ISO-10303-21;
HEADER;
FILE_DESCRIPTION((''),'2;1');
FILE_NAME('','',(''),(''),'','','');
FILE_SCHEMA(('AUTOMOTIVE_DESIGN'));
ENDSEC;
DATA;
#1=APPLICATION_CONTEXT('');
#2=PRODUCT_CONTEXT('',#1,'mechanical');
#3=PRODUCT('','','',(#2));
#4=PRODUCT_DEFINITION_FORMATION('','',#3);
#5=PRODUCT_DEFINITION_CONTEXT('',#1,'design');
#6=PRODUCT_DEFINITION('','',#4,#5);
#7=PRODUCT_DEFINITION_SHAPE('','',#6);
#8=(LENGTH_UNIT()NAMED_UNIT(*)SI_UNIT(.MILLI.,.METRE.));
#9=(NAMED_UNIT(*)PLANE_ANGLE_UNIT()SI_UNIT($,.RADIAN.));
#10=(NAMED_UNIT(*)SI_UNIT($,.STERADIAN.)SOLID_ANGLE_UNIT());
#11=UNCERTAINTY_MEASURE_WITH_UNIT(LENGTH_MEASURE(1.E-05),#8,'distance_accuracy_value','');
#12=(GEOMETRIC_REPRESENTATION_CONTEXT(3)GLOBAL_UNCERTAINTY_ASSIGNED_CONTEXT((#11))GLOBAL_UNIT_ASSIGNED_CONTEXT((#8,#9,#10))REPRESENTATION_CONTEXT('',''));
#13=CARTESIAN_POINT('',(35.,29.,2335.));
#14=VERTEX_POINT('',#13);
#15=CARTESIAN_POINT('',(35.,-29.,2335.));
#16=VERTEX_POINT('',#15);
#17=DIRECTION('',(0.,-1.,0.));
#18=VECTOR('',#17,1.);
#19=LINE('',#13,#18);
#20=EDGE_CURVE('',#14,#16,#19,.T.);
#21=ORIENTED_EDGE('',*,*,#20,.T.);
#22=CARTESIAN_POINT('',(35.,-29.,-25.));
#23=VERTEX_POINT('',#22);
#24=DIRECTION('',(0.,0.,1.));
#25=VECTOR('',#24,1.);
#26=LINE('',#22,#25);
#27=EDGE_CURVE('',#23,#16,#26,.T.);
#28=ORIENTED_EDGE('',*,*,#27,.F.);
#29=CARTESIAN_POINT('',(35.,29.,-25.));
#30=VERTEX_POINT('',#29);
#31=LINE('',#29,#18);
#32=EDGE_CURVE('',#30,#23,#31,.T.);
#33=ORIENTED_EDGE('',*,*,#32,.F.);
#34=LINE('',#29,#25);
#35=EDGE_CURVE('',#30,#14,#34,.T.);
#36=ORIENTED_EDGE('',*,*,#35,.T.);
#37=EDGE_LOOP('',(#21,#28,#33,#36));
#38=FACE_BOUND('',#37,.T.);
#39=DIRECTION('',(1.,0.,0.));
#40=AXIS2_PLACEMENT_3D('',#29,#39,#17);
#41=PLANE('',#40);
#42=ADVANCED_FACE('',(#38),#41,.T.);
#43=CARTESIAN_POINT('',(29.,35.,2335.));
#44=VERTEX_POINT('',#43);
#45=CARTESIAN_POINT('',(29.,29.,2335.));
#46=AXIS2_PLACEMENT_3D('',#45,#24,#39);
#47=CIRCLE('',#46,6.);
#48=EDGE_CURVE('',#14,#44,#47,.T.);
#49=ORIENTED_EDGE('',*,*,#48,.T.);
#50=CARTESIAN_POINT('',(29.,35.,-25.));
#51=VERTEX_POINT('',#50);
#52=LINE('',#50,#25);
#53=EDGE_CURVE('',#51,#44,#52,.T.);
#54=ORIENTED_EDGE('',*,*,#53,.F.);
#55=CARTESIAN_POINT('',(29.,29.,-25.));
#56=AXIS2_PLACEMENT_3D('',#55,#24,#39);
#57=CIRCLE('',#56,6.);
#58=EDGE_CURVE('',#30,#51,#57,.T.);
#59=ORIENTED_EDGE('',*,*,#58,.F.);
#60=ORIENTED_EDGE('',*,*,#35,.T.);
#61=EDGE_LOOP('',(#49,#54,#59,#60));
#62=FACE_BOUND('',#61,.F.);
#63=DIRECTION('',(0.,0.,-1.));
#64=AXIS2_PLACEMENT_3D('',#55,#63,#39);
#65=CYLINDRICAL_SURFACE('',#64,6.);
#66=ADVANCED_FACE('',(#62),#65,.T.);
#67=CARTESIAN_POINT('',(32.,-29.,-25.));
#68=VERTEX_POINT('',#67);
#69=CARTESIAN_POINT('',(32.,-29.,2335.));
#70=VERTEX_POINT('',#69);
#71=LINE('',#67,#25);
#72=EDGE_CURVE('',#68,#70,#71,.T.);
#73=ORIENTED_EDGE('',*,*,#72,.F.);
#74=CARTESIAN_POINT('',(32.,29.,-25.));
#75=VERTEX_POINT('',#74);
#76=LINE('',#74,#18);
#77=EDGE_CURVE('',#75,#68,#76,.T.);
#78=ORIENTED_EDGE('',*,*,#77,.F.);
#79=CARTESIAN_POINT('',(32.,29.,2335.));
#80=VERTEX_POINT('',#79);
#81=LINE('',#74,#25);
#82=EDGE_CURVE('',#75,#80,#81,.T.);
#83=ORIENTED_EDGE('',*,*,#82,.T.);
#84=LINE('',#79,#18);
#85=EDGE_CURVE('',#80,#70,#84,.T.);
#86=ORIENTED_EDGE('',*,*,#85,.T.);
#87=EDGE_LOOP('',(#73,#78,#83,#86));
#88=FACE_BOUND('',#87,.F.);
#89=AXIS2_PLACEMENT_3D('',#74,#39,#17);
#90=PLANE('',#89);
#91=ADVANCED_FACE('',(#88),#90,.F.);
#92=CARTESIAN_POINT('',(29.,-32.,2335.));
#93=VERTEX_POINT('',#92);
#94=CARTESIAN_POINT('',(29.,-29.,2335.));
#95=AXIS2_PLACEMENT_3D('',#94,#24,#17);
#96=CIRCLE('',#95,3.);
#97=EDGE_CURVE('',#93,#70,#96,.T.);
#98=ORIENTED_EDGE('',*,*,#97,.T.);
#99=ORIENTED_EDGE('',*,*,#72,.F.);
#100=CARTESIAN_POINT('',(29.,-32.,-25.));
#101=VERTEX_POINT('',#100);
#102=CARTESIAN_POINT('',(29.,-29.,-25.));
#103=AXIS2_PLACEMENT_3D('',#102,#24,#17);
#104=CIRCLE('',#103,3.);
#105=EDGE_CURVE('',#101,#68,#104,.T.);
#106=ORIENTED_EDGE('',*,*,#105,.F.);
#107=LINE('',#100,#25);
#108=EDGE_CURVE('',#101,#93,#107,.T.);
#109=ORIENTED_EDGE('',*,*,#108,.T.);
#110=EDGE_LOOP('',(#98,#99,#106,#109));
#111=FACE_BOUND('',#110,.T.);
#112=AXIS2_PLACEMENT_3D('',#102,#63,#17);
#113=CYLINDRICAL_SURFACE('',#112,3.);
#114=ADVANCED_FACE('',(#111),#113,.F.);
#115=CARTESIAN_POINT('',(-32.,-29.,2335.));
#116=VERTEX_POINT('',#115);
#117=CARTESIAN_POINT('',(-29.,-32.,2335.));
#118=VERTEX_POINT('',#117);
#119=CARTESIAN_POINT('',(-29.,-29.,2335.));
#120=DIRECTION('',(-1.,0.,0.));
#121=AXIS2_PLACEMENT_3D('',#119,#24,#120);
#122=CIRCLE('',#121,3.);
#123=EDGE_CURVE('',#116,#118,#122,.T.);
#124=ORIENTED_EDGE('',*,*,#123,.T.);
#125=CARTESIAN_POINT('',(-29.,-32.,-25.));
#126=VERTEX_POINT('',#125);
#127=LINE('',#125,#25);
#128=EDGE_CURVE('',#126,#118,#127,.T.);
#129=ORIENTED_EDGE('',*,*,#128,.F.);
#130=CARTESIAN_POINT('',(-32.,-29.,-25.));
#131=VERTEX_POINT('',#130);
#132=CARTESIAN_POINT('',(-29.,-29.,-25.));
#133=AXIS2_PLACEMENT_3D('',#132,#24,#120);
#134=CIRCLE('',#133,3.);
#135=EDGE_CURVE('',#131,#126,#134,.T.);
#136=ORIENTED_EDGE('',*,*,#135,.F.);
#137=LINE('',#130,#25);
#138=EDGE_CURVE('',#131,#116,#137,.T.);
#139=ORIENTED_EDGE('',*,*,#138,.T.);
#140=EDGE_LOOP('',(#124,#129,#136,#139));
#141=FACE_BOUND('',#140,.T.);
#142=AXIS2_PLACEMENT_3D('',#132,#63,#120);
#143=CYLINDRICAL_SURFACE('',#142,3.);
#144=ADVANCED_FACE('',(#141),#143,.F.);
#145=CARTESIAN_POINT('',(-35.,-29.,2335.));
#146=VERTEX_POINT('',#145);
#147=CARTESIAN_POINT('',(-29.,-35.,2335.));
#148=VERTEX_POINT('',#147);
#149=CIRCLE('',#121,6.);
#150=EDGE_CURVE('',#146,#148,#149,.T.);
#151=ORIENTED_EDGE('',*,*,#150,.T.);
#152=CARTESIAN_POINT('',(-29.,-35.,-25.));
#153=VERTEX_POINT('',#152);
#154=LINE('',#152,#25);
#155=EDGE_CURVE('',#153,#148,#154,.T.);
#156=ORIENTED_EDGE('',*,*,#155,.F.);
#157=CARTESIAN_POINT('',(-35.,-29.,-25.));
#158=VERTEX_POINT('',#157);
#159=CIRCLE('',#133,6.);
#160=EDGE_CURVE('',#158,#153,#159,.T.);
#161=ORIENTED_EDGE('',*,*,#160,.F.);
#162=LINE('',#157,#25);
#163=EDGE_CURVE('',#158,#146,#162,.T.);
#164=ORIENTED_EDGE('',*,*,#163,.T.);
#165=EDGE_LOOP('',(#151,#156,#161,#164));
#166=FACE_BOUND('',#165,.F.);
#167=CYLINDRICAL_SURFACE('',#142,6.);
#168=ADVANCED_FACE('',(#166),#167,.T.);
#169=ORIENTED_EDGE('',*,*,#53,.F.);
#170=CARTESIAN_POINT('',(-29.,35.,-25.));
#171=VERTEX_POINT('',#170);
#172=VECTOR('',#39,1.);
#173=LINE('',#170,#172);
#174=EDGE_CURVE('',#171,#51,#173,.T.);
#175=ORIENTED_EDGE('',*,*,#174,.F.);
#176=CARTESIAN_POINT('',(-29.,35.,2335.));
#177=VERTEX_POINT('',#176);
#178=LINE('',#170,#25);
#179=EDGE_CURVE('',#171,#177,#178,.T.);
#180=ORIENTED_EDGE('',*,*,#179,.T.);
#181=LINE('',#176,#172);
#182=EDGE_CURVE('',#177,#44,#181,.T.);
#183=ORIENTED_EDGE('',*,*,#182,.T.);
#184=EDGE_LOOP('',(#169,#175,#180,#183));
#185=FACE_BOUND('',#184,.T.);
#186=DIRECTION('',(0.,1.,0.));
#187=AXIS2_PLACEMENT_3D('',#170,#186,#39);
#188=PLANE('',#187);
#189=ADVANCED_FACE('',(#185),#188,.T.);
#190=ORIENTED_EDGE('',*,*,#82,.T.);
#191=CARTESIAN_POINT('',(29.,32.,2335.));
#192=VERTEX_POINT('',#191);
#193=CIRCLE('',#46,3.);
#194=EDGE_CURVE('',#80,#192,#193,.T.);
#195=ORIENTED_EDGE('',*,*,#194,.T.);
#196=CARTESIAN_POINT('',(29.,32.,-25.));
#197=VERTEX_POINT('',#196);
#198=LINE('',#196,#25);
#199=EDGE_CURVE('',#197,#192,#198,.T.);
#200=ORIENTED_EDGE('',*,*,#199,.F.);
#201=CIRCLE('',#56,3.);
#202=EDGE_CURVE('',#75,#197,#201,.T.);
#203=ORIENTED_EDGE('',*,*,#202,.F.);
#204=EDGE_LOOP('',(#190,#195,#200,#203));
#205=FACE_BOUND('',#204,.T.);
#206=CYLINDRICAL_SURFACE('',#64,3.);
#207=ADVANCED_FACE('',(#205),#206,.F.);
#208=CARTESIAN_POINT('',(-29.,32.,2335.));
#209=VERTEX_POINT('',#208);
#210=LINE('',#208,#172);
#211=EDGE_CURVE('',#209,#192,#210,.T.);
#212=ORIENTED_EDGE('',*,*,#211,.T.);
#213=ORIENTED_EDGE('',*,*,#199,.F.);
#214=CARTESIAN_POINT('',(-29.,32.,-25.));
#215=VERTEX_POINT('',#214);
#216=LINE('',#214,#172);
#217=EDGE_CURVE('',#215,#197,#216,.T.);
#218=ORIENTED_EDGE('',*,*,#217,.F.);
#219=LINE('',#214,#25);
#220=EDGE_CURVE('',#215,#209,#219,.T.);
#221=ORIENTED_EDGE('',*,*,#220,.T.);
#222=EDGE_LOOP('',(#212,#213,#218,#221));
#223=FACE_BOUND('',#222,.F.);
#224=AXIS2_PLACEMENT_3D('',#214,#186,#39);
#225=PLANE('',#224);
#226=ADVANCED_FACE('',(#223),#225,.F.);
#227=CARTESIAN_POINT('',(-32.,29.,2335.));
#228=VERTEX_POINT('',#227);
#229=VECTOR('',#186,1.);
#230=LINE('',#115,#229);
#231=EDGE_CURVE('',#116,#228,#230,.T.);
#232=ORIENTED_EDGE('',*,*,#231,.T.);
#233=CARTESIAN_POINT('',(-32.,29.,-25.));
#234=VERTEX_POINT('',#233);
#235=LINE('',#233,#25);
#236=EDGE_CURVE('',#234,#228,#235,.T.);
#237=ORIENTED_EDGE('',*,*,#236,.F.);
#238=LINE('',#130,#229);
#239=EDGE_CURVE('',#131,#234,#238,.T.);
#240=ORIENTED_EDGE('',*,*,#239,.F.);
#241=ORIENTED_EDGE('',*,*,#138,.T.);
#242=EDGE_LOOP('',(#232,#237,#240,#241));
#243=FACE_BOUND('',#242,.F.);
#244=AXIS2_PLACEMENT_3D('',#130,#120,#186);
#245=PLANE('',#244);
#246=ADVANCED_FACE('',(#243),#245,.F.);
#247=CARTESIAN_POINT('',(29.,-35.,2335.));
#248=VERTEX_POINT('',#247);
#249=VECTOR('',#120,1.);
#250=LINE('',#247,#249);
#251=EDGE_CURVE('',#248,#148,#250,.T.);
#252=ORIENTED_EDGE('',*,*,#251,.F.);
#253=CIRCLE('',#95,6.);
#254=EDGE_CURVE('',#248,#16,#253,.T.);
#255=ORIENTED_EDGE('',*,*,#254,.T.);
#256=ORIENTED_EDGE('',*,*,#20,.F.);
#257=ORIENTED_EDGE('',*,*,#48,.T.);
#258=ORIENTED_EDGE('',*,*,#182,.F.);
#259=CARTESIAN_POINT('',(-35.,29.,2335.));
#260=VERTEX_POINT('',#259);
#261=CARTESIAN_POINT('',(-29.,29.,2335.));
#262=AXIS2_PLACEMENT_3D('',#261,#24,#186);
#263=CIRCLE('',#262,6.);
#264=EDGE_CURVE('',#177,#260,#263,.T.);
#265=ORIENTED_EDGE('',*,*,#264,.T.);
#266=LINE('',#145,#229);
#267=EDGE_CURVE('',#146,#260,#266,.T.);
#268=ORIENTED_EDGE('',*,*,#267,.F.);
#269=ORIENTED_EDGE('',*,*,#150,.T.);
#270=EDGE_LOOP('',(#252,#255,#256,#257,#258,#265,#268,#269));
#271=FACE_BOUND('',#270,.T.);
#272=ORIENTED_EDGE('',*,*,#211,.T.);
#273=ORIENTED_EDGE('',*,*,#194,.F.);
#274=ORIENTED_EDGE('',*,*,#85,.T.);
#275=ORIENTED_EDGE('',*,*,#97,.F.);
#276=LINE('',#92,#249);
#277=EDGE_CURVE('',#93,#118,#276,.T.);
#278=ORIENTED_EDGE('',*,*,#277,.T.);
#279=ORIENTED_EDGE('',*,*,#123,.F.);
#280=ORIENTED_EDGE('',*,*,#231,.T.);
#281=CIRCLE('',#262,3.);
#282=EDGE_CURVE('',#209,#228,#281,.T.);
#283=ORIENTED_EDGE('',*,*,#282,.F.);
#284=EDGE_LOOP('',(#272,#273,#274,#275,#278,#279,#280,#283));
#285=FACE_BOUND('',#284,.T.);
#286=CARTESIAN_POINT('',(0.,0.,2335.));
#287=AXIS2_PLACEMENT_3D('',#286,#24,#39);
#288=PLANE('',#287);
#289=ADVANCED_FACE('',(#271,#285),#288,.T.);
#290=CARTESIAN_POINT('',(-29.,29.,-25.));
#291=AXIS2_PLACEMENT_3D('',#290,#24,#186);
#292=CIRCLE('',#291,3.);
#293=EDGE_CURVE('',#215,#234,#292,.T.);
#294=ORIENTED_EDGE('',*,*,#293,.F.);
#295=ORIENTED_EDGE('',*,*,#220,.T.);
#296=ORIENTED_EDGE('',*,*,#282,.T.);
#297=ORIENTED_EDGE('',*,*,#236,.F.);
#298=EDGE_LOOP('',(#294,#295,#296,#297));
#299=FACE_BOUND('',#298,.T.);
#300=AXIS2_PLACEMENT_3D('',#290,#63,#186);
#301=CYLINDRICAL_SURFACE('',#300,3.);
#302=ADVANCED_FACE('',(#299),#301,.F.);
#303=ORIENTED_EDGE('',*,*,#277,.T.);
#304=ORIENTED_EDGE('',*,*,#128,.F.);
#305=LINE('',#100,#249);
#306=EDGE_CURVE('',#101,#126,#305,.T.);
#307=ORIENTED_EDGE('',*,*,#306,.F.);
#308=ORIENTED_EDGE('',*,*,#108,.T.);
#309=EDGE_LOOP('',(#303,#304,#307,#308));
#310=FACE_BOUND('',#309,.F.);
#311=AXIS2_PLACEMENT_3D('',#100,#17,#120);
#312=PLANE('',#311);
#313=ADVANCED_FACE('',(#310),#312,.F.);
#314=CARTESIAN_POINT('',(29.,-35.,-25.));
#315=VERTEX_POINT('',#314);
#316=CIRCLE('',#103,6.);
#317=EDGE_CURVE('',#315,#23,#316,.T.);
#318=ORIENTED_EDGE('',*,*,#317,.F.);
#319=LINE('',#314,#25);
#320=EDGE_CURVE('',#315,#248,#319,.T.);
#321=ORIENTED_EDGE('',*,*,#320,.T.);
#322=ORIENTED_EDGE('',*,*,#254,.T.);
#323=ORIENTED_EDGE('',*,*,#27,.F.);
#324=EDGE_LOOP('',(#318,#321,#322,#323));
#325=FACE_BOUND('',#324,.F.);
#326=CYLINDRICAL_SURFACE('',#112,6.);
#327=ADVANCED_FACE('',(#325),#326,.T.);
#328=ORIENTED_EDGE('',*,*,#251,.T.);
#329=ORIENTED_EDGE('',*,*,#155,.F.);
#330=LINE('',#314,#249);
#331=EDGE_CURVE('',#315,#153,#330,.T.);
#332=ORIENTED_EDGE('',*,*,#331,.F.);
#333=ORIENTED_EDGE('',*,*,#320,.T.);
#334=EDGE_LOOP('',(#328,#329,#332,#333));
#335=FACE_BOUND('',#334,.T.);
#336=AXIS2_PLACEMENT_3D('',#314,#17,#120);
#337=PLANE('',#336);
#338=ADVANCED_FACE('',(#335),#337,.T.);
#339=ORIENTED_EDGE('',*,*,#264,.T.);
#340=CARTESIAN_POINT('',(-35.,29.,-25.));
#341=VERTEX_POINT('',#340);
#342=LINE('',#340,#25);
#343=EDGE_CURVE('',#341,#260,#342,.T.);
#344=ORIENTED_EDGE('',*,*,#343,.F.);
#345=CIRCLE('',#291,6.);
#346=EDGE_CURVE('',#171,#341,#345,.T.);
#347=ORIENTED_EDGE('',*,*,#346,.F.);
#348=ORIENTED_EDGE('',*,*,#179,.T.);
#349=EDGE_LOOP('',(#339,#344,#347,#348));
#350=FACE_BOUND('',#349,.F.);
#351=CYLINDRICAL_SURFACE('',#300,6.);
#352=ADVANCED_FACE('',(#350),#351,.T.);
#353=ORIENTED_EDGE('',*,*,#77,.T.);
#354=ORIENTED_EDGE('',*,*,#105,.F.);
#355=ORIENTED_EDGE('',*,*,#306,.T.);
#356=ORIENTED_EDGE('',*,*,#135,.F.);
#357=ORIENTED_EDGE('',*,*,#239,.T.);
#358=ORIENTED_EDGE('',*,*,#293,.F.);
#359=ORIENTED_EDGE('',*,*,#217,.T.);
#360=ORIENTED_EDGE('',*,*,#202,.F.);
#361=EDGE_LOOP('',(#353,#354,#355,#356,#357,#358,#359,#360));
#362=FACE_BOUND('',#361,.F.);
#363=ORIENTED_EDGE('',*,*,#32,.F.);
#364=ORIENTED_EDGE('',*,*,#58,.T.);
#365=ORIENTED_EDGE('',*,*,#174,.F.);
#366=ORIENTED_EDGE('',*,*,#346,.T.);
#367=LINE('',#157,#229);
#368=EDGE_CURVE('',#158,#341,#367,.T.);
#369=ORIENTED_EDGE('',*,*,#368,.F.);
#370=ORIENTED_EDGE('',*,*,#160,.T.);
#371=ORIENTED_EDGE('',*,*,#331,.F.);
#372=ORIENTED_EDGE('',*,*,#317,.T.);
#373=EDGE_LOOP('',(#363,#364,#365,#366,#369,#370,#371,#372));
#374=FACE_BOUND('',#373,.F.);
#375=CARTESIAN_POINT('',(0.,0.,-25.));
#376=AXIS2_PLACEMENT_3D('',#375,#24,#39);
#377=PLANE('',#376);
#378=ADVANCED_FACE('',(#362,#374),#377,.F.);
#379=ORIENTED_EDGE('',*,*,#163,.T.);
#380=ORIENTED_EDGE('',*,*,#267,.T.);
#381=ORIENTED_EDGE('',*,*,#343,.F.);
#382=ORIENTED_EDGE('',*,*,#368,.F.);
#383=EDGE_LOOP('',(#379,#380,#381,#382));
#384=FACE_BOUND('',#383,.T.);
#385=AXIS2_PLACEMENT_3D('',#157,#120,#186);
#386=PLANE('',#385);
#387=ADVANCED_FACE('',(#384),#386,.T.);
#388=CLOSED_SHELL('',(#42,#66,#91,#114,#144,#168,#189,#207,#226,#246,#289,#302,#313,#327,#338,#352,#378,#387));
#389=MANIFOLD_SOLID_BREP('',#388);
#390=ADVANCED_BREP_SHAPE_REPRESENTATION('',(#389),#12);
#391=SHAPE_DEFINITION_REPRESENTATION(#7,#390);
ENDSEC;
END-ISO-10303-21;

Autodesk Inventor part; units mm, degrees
ref_plane "Start Plane" through (0, 0, -25) normal (0, 0, 1) x (1, 0, 0)
ref_plane "End Plane" through (0, 0, 2335) normal (0, 0, 1) x (1, 0, 0)
sketch "Sketch" plane through (0, 0, 0) normal (0, 0, 1) x (1, 0, 0)
  line L0 (-35, -29) -> (-35, 29)
  line L1 (-29, 35) -> (29, 35)
  line L2 (35, 29) -> (35, -29)
  line L3 (29, -35) -> (-29, -35)
  arc A0 (-35, -29) -> (-29, -35) centre (-29, -29) ccw
  arc A1 (35, 29) -> (29, 35) centre (29, 29) ccw
  arc A2 (-29, 35) -> (-35, 29) centre (-29, 29) ccw
  arc A3 (29, -35) -> (35, -29) centre (29, -29) ccw
  arc A4 (-29, 32) -> (-32, 29) centre (-29, 29) ccw
  line L4 (-29, 32) -> (29, 32)
  arc A5 (32, 29) -> (29, 32) centre (29, 29) ccw
  line L5 (32, 29) -> (32, -29)
  arc A6 (29, -32) -> (32, -29) centre (29, -29) ccw
  line L6 (29, -32) -> (-29, -32)
  arc A7 (-32, -29) -> (-29, -32) centre (-29, -29) ccw
  line L7 (-32, -29) -> (-32, 29)
  line L8 (0, 50.7397) -> (0, -50.7397) construction
  line L9 (-50.7397, 0) -> (50.7397, 0) construction
  dimension "d7" = 6
  dimension "d9" = 70
  dimension "d11" = 70
  dimension "d12" = 3
  dimension "d15" = 35
  dimension "d16" = 35
extrude "Body" add sketch "Sketch" along normal up to surface (2360 mm away) from surface at -25
sketch "Sketch3" plane through (0, 0, 0) normal (0, 0, 1) x (1, 0, 0)
  line L0 (0, 0) -> (10, 0)
ref_plane "Work Plane3" through (0, 0, 0) normal (0, -1, 0) x (1, 0, 0)
sketch "Sketch4" plane through (0, 0, 0) normal (0, -1, 0) x (1, 0, 0)
  line L0 (-2, -25) -> (12, -25)
  line L1 (-2, 2335) -> (12, 2335)
  dimension "d18" = 2360
ref_plane "Work Plane4" through (0, -21, 2335) normal (0, 0, 1) x (1, 0, 0)
split "Split1" plane through (0, -21, 2335) removes the side toward (0, 0, 1)
ref_plane "Work Plane5" through (500, -21, -25) normal (0, 0, -1) x (-1, 0, 0)
split "Split2" plane through (500, -21, -25) removes the side toward (0, 0, -1)
equation "\"d7\" = G_IR"
equation "\"d9\" = G_W"
equation "\"d11\" = G_H"
equation "\"d12\" = G_T"
equation "\"d15\" = 0.5 * d9"
equation "\"d16\" = 0.5 * d11"
equation "\"d3\" = G_L"
equation "\"G_W\" = 70"
equation "\"G_H\" = 70"
equation "\"G_T\" = 3"
equation "\"G_IR\" = 6"
equation "\"G_L\" = d18"
equation "\"G_OFFSET_START\" = 25"
equation "\"G_OFFSET_END\" = 25"
equation "\"d13\" = -G_OFFSET_START"
equation "\"d14\" = G_OFFSET_END + B_L"
equation "\"B_L\" = 2310"
properties part number "ISO 10799-2 - 70x70x3 - 2360" material "Steel, Galvanized"
